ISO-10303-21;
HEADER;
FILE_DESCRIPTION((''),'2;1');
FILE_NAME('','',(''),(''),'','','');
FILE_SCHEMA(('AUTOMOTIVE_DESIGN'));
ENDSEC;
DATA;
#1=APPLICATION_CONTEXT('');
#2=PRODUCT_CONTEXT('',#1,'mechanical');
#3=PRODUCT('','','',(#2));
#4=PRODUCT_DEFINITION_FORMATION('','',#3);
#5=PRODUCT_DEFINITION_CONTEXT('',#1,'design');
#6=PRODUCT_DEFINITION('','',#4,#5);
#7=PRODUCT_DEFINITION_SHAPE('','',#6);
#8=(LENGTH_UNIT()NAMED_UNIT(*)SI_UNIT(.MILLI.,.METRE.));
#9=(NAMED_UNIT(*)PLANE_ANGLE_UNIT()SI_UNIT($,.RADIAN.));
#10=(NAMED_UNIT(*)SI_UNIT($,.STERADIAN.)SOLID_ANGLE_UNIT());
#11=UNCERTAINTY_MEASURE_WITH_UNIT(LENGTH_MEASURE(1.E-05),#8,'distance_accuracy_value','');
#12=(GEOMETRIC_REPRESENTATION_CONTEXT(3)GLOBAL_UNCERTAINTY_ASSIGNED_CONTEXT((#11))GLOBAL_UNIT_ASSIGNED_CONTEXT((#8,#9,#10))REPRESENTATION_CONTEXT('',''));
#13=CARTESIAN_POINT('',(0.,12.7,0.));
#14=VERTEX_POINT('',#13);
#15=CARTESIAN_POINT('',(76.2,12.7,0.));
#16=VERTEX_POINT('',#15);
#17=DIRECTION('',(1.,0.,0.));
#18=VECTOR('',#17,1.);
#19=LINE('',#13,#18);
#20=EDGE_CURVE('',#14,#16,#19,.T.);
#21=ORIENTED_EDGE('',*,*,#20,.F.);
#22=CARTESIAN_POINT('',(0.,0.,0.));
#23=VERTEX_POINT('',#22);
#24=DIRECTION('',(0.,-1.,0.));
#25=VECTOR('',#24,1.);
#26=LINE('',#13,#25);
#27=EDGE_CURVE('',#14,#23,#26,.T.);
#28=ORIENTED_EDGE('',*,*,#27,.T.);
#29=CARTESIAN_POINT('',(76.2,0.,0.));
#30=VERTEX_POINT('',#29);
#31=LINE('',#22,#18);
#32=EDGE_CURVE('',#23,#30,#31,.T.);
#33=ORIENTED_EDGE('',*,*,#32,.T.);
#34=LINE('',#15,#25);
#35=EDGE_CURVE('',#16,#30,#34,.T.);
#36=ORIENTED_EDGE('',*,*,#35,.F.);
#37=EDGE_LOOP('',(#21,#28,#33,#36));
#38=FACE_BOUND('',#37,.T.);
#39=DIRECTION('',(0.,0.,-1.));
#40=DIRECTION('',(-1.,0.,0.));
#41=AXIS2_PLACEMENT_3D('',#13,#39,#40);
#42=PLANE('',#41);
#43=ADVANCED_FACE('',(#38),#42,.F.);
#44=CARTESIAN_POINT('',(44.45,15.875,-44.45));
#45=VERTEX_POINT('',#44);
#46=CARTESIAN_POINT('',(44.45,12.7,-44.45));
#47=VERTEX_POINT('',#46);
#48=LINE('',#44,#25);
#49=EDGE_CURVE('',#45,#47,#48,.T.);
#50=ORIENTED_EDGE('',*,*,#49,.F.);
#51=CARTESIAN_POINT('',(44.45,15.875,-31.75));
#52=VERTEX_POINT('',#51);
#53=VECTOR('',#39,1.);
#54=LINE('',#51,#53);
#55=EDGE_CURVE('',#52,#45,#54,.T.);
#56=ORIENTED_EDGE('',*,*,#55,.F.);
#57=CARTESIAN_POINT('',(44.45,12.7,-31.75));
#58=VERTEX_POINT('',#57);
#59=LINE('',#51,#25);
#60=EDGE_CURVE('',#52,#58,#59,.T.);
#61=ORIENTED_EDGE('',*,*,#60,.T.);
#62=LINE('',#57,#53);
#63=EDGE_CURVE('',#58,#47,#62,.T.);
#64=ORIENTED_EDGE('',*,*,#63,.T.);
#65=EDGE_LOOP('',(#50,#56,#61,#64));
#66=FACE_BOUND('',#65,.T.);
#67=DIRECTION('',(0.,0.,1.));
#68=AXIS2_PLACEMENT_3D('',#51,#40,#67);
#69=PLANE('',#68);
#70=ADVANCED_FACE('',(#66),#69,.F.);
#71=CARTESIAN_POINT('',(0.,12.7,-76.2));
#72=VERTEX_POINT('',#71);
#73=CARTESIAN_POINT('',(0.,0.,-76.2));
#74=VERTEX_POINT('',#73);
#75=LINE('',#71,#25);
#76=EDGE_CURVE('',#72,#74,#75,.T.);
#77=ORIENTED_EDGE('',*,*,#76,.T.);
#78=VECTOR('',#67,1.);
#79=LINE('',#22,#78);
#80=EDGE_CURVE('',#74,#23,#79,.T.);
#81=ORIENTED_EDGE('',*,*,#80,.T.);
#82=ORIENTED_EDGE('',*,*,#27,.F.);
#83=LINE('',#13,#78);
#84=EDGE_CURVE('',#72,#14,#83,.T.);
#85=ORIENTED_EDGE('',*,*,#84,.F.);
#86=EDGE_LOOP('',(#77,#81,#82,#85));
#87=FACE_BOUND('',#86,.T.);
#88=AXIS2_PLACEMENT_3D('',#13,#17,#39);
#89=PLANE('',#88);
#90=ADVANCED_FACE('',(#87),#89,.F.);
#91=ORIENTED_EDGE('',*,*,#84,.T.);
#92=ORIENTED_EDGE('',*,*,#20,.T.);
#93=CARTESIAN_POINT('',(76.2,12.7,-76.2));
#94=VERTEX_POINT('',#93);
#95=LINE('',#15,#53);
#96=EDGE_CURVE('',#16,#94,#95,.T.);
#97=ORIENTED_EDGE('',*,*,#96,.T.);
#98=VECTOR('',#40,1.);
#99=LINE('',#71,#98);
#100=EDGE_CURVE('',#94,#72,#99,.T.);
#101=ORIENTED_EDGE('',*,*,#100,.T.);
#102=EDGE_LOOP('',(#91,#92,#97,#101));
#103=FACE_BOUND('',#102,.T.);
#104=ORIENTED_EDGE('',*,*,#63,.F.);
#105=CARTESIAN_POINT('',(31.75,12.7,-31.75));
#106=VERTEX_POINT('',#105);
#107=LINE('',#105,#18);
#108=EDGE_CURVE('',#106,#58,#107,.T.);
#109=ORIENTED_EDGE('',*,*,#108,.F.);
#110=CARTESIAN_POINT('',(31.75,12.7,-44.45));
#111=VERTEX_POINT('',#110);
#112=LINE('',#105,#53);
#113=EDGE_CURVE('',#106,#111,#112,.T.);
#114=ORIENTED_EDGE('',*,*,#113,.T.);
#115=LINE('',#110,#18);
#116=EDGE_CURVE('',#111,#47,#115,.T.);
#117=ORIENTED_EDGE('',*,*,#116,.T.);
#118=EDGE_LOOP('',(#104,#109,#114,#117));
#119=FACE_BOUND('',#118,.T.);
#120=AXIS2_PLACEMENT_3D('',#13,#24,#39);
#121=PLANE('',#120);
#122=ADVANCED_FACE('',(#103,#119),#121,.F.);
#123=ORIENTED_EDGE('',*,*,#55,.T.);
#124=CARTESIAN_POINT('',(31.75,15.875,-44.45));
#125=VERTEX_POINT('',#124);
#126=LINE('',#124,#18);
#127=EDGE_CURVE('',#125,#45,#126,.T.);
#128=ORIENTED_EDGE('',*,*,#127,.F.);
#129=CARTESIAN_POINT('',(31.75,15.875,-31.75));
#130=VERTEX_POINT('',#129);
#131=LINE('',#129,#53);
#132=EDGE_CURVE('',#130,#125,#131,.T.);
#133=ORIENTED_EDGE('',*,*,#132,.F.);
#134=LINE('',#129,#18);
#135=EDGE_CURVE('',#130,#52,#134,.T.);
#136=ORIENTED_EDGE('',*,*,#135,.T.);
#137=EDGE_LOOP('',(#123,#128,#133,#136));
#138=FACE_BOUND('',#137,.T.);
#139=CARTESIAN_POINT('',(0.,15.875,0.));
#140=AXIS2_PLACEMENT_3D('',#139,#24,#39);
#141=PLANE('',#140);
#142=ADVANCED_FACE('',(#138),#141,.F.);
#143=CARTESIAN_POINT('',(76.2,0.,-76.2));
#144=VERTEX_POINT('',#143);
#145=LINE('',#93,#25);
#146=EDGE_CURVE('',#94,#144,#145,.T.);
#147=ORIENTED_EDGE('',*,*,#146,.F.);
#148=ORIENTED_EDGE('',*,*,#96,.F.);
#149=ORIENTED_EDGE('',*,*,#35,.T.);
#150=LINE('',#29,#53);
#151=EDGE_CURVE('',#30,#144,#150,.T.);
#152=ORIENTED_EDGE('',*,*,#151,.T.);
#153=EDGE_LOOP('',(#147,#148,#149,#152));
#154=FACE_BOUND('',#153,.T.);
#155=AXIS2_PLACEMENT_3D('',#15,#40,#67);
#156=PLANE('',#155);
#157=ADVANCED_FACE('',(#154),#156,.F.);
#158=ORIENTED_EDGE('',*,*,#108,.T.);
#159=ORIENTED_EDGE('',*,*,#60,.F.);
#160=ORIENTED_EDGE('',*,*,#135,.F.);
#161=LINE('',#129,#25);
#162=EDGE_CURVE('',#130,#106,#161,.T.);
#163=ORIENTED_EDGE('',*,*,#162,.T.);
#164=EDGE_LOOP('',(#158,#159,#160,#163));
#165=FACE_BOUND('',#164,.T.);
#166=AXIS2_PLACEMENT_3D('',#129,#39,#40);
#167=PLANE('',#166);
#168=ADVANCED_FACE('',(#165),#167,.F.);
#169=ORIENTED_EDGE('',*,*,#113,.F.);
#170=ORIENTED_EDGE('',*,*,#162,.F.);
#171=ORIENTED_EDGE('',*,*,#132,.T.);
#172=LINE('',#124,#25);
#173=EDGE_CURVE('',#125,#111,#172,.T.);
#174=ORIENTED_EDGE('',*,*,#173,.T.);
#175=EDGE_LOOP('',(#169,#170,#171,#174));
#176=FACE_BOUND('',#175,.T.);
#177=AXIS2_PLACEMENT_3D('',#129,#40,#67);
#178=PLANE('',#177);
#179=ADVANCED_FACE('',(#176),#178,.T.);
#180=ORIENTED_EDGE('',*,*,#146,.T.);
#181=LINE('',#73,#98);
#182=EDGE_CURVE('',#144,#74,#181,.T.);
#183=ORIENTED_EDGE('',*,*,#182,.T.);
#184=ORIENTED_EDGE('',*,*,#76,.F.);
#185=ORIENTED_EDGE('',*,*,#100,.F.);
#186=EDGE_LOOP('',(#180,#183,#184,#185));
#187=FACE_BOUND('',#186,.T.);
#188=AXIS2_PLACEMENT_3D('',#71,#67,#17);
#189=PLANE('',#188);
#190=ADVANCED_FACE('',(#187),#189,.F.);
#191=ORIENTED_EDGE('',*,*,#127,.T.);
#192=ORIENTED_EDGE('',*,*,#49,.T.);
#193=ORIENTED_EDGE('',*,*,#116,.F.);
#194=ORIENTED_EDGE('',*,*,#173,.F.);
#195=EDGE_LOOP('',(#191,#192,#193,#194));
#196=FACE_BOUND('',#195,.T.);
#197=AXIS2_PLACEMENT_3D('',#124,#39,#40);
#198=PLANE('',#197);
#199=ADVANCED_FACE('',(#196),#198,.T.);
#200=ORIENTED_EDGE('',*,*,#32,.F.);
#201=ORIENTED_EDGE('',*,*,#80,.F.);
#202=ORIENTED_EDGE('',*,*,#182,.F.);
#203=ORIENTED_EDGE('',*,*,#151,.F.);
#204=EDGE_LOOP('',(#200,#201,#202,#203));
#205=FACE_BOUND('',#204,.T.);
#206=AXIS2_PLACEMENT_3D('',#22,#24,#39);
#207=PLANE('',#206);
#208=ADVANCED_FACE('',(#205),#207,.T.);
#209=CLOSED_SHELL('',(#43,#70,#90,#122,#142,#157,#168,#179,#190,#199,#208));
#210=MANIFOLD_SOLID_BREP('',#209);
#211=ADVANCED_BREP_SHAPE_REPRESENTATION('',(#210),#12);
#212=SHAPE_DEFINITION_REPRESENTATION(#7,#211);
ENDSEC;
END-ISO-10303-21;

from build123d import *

# Parameters (mm, degrees)
SKETCH1_W           = 76.2
SKETCH1_H           = 76.2
BOSS_EXTRUDE1_DEPTH = 12.7
SKETCH2_W           = 12.7
SKETCH2_H           = 12.7
BOSS_EXTRUDE2_DEPTH = 3.175


with BuildPart() as part:
    # Sketch1 → Boss-Extrude1 (new body)
    with BuildSketch(Plane(origin=(0, 0, 0), x_dir=(1, 0, 0), z_dir=(0, 1, 0))):
        with Locations((38.1, 38.1)):
            Rectangle(SKETCH1_W, SKETCH1_H)
    extrude(amount=BOSS_EXTRUDE1_DEPTH)

    # Sketch2 → Boss-Extrude2 (add)
    with BuildSketch(Plane(origin=(0, 12.7, 0), x_dir=(1, 0, 0), z_dir=(0, 1, 0))):
        with Locations((38.1, 38.1)):
            Rectangle(SKETCH2_W, SKETCH2_H)
    extrude(amount=BOSS_EXTRUDE2_DEPTH)


solid = part.part
